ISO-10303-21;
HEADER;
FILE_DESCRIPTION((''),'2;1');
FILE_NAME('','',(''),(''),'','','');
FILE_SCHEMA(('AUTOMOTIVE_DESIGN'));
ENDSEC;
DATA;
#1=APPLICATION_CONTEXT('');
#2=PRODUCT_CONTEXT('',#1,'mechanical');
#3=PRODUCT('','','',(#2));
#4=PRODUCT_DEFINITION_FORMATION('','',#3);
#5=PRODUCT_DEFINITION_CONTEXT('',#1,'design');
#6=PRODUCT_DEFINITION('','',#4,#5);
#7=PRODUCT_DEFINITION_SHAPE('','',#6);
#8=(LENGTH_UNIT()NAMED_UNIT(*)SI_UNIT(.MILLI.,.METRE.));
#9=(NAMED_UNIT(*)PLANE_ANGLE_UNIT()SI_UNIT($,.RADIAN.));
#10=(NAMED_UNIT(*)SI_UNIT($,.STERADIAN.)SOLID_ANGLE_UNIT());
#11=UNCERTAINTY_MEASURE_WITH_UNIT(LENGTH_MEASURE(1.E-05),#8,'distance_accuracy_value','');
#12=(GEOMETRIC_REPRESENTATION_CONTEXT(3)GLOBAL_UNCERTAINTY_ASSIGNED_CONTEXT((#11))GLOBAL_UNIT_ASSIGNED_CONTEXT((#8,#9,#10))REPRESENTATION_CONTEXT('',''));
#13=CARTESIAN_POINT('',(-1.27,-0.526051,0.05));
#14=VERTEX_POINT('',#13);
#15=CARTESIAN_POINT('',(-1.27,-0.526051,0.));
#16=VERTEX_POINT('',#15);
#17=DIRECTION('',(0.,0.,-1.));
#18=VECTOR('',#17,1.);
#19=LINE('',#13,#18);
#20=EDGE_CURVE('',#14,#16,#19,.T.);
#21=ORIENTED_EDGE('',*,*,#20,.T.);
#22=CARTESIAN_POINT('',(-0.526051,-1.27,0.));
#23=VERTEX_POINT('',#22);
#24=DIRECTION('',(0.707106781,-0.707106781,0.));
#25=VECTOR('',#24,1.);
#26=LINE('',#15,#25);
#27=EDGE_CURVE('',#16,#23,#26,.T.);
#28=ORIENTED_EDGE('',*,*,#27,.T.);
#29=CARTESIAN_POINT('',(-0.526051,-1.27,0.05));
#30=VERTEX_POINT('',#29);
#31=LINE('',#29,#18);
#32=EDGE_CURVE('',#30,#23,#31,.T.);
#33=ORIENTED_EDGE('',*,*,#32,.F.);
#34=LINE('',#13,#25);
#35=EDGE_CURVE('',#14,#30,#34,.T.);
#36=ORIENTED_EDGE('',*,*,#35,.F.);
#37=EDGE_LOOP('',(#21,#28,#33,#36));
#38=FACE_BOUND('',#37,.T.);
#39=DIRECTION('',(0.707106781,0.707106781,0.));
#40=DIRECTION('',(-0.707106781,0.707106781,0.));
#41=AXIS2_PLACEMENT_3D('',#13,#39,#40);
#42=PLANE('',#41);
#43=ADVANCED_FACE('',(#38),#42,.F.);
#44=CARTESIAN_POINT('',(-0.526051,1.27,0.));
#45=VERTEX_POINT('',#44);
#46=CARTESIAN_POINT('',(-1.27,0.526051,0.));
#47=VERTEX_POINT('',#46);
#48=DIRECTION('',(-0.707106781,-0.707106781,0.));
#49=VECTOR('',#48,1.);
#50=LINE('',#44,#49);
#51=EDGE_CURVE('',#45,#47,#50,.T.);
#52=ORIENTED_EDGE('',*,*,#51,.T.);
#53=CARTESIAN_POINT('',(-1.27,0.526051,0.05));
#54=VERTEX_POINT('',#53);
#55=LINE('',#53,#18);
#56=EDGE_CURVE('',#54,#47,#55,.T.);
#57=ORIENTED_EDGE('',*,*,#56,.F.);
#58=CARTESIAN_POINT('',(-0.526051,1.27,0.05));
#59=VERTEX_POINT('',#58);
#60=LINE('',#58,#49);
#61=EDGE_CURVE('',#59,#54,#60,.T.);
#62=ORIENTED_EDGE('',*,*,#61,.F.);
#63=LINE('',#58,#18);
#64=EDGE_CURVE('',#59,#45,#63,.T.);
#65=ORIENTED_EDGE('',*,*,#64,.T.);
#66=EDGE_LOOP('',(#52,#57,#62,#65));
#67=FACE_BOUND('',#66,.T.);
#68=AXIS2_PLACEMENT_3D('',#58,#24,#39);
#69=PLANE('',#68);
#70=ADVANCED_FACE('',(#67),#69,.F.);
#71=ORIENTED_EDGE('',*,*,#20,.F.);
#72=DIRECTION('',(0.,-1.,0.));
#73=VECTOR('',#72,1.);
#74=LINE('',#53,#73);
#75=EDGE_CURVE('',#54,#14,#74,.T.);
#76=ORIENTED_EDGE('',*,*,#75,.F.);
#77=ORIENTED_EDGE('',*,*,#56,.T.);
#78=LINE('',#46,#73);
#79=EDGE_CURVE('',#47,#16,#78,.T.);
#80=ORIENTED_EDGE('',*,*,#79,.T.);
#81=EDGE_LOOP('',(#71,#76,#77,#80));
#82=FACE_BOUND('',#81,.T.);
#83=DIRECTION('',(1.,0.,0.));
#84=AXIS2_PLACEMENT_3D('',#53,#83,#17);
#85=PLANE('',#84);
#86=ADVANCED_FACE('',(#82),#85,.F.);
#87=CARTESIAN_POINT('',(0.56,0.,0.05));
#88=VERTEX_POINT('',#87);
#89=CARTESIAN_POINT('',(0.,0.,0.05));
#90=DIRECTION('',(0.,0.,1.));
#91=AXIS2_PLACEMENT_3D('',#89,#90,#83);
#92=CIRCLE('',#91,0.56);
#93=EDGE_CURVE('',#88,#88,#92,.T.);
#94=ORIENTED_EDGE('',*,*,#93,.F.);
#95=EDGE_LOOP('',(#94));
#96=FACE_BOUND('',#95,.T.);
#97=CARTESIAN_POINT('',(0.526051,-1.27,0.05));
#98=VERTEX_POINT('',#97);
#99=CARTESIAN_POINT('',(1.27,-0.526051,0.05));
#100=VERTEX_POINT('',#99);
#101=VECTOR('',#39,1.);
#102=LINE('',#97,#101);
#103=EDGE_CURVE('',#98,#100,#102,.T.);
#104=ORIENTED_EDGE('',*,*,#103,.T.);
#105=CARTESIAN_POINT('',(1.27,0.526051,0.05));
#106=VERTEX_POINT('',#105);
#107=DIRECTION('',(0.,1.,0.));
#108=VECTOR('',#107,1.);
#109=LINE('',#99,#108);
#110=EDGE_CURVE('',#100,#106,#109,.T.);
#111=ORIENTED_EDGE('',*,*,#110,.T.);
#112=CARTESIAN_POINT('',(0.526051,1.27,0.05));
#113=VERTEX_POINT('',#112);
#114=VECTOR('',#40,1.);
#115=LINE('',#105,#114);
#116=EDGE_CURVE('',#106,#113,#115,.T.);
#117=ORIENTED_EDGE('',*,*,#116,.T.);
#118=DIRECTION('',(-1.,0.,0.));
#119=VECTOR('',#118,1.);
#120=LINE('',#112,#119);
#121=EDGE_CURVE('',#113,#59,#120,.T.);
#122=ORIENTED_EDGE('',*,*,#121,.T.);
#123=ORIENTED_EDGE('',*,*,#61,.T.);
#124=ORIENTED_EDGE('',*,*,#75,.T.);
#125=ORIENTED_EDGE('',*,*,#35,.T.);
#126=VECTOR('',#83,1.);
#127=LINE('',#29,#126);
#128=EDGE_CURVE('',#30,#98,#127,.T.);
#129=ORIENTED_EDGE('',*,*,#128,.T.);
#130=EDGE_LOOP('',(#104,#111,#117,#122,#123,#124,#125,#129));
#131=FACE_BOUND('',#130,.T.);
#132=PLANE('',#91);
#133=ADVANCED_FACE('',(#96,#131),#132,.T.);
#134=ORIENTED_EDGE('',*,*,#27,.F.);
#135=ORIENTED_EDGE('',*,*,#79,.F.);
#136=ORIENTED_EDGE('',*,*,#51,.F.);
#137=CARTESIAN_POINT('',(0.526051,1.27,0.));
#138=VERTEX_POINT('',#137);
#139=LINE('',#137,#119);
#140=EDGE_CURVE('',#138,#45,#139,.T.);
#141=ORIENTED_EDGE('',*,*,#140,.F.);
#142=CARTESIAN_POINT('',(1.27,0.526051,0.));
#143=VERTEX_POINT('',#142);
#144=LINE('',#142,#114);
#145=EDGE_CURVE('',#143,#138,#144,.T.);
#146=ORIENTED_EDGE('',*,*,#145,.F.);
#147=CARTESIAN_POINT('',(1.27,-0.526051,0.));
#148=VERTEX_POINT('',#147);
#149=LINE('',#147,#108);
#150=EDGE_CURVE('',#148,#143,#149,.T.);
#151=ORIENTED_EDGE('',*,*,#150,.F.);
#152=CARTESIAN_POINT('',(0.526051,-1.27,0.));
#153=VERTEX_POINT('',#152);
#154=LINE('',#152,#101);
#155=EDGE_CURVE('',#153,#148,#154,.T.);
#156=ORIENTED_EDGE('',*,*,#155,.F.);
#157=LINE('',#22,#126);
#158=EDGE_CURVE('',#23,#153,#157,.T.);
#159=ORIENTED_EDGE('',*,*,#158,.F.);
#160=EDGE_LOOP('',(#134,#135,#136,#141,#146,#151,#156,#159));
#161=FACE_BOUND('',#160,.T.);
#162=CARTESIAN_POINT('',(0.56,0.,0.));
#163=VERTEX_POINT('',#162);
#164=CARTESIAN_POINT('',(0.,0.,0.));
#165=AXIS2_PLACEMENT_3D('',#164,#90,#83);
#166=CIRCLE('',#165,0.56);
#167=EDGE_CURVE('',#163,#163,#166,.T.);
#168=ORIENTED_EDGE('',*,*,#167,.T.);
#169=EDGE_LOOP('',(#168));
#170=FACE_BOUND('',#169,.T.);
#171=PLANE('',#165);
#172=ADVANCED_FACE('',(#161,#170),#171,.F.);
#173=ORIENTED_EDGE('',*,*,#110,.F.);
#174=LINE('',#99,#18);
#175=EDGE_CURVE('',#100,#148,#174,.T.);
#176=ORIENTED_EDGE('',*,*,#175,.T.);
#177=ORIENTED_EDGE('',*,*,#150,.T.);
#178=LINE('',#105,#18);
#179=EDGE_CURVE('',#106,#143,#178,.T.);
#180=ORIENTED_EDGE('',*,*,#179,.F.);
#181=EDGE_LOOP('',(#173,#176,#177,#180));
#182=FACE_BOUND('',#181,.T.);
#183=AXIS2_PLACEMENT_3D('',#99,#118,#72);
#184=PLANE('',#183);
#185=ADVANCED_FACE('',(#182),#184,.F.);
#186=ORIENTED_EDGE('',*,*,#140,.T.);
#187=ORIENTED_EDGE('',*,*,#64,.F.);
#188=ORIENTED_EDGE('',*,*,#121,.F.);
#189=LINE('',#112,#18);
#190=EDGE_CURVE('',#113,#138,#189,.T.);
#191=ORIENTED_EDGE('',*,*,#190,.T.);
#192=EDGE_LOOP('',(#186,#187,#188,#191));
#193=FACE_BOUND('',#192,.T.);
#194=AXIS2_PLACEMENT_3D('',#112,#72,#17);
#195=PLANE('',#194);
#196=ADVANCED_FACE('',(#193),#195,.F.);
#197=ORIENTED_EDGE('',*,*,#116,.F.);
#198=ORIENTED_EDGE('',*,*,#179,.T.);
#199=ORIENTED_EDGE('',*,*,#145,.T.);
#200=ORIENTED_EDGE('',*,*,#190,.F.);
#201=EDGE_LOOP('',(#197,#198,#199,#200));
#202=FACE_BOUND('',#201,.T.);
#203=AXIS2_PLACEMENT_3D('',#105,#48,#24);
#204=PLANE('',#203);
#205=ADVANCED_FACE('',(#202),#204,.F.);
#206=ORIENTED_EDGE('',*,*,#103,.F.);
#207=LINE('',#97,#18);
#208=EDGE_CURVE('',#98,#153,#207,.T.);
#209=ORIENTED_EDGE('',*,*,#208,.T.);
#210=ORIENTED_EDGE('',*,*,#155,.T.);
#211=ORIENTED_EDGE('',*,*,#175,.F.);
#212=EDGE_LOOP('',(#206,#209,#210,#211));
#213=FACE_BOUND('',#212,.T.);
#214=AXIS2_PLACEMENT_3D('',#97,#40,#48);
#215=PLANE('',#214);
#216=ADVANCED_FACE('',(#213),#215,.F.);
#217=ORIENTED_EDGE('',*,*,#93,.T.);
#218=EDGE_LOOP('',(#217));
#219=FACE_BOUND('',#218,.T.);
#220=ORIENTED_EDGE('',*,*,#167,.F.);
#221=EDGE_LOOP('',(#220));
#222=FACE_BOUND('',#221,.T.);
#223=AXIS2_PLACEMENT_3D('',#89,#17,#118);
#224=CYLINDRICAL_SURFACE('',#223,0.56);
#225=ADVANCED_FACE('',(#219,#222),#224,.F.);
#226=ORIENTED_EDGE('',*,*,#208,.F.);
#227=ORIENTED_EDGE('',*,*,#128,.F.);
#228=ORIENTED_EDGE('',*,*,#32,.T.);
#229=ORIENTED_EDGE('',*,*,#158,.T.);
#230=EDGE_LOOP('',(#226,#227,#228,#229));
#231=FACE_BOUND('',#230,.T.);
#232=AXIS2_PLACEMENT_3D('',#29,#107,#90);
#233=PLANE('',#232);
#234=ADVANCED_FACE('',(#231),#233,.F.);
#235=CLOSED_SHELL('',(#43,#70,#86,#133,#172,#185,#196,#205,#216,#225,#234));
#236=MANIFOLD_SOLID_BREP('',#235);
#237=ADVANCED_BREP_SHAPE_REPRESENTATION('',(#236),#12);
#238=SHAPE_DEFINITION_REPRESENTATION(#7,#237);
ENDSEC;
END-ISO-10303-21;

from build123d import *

# Parameters (mm, degrees)
SKIZZE1_R               = 0.56
COMPONENT_OUTLINE_DEPTH = 0.05


with BuildPart() as part:
    # Skizze1 → Component_Outline (new body)
    with BuildSketch(Plane.XY):
        Polygon((1.27, 0.526051224), (0.526051224, 1.27), (-0.526051224, 1.27), (-1.27, 0.526051224), (-1.27, -0.526051224), (-0.526051224, -1.27), (0.526051224, -1.27), (1.27, -0.526051224), align=None)
        Circle(SKIZZE1_R, mode=Mode.SUBTRACT)
    extrude(amount=COMPONENT_OUTLINE_DEPTH)


solid = part.part
